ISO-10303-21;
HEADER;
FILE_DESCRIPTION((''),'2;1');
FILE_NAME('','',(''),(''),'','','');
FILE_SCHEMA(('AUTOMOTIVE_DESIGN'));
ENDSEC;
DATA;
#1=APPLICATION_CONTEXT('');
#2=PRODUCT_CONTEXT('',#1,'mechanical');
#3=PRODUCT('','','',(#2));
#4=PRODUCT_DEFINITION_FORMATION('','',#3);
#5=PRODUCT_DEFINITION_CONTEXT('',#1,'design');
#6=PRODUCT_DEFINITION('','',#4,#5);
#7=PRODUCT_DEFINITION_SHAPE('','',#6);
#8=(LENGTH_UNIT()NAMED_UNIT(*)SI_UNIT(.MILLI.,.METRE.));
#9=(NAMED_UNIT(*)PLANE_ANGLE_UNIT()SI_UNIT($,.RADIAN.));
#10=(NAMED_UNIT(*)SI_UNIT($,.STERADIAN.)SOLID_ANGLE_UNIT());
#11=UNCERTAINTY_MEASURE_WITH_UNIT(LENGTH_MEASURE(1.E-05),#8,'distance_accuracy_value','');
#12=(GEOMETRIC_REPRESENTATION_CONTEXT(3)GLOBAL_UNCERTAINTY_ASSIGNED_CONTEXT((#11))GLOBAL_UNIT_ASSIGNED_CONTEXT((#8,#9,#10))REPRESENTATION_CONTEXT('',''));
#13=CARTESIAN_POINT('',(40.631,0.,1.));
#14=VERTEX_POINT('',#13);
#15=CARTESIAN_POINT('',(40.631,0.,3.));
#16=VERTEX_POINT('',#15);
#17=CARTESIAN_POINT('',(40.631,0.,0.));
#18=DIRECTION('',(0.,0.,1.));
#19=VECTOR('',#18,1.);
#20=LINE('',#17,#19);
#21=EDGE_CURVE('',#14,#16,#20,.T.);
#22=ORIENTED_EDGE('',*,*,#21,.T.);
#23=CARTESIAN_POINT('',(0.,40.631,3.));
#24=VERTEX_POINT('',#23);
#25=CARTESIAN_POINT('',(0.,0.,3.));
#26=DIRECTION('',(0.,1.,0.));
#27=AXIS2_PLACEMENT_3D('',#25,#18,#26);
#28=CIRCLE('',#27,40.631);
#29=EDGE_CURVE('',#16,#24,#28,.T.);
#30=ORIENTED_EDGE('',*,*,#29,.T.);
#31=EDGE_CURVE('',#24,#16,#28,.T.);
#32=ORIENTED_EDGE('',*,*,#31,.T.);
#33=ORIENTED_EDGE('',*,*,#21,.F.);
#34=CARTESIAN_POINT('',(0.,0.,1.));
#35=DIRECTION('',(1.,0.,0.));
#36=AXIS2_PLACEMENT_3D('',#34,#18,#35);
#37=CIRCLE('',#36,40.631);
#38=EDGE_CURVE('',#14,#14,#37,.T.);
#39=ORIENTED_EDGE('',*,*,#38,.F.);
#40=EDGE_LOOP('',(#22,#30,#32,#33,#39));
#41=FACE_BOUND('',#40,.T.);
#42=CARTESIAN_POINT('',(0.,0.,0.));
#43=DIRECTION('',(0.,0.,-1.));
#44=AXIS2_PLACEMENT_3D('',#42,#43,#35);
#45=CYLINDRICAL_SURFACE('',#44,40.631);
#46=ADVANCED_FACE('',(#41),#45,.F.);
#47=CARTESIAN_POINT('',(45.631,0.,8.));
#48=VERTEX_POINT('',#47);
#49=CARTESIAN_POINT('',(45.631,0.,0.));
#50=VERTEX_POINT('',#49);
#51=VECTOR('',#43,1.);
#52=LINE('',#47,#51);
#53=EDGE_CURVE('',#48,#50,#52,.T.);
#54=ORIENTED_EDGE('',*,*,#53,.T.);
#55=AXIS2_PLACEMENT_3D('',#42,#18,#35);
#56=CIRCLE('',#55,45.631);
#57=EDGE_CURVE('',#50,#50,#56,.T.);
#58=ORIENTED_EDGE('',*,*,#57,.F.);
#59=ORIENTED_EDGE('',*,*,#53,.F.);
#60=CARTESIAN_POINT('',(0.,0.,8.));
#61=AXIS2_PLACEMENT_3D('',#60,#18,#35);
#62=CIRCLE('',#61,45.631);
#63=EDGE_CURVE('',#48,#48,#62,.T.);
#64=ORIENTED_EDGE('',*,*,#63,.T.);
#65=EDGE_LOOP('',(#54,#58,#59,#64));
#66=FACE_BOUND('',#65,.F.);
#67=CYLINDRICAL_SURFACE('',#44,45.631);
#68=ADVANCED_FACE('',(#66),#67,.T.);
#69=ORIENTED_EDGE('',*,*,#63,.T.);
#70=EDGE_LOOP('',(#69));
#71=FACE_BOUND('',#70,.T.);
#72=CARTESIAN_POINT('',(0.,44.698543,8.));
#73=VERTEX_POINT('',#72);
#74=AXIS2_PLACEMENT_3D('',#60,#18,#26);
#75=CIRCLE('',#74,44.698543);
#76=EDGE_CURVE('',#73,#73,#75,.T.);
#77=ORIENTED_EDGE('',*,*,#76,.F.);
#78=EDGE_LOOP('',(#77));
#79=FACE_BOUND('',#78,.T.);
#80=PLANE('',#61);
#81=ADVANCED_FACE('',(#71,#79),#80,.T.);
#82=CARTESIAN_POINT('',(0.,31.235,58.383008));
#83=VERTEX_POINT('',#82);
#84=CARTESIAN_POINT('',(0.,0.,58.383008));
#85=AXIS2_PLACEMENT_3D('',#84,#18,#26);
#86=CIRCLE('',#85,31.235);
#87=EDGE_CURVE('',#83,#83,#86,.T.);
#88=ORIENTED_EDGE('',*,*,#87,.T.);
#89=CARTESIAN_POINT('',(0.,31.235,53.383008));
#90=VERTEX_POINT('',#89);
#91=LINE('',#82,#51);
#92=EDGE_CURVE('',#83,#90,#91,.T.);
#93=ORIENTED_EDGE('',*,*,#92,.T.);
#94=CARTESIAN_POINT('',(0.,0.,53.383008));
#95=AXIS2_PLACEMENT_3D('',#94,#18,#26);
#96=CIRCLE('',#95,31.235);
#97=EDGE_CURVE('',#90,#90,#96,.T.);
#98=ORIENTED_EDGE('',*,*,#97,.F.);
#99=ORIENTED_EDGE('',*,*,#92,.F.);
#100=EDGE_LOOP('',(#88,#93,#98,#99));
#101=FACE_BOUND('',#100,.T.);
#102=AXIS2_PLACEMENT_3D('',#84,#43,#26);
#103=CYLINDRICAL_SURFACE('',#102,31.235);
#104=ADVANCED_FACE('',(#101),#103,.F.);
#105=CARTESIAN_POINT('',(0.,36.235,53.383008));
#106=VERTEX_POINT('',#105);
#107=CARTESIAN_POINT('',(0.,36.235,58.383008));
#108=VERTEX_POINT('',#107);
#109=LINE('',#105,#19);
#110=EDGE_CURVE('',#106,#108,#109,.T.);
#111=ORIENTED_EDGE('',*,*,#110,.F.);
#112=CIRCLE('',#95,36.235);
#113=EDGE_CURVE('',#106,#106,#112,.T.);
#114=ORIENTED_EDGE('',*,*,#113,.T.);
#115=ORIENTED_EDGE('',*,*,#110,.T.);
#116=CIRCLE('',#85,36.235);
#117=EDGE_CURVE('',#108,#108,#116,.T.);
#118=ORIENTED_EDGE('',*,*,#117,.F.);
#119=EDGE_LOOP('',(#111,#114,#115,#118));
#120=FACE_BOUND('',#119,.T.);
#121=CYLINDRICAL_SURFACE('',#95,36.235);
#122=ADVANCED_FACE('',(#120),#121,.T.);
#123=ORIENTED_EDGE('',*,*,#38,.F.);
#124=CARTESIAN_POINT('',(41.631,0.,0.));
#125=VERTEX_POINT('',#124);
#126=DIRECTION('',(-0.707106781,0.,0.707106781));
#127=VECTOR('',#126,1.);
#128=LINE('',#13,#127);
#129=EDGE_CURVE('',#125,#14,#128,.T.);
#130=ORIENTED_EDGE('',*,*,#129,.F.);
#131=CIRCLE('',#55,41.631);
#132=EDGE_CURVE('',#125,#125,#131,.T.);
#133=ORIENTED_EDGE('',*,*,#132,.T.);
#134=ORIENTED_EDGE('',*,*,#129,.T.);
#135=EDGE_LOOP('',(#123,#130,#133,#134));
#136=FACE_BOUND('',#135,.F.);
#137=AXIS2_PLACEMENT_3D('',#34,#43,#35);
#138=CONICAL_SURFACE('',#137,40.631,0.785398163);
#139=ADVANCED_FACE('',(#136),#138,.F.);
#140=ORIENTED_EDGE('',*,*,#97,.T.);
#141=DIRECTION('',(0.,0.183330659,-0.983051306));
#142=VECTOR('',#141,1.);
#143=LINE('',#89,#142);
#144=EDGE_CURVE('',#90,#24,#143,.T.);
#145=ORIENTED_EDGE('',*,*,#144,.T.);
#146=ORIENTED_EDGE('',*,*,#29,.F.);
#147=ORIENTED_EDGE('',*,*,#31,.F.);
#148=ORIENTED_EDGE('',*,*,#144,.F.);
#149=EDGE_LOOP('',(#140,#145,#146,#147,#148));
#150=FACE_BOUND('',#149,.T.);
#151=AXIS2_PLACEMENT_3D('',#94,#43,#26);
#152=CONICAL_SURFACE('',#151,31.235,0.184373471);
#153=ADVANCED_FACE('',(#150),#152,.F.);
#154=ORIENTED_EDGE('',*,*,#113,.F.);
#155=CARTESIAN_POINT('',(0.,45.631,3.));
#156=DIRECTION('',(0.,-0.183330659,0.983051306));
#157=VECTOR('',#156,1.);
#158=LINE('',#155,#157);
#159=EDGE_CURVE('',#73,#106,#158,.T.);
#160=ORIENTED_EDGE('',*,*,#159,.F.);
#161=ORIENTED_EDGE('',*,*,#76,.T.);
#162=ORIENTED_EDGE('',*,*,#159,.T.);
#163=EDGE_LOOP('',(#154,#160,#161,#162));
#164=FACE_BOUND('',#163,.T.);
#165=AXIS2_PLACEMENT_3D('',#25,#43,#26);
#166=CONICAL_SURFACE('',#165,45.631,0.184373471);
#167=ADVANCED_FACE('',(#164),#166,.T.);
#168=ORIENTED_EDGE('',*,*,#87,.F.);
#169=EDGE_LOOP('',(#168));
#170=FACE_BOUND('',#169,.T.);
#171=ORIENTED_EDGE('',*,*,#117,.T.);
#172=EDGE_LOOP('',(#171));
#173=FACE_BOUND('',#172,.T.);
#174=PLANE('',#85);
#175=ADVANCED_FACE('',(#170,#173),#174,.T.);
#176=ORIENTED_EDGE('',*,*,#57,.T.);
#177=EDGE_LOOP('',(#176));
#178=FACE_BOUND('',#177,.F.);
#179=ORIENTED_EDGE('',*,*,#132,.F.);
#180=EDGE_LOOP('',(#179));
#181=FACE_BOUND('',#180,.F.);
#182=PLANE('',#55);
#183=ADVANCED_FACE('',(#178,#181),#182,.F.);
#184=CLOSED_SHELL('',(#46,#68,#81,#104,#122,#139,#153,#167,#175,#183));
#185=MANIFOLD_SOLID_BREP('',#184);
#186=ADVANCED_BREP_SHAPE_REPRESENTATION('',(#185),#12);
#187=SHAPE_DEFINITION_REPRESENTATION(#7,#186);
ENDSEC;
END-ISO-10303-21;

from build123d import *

# Parameters (mm, degrees)
F0_R     = 45.631
F0_R_2   = 40.631
F1_DEPTH = 8
F4_SIZE  = 1


with BuildPart() as f1:
    # F0 (on Top) → F1 (new body)
    with BuildSketch(Plane.XY):
        Circle(F0_R)
        Circle(F0_R_2, mode=Mode.SUBTRACT)
    extrude(amount=F1_DEPTH)

    # F2 (on Right) → F3 (revolve)
    with BuildSketch(Plane.YZ):
        Polygon((40.631, 3), (45.631, 3), (36.235, 53.383008), (36.235, 58.383008), (31.235, 58.383008), (31.235, 53.383008), align=None)
    revolve(axis=Axis((0, 0, 34.883008), (0, 0, 1)))

    # F4
    f4_edges = [f1.edges().sort_by_distance(p)[0] for p in [
        (-40.631, 0, 0),
    ]]
    chamfer(f4_edges, length=F4_SIZE)


solid = f1.part
